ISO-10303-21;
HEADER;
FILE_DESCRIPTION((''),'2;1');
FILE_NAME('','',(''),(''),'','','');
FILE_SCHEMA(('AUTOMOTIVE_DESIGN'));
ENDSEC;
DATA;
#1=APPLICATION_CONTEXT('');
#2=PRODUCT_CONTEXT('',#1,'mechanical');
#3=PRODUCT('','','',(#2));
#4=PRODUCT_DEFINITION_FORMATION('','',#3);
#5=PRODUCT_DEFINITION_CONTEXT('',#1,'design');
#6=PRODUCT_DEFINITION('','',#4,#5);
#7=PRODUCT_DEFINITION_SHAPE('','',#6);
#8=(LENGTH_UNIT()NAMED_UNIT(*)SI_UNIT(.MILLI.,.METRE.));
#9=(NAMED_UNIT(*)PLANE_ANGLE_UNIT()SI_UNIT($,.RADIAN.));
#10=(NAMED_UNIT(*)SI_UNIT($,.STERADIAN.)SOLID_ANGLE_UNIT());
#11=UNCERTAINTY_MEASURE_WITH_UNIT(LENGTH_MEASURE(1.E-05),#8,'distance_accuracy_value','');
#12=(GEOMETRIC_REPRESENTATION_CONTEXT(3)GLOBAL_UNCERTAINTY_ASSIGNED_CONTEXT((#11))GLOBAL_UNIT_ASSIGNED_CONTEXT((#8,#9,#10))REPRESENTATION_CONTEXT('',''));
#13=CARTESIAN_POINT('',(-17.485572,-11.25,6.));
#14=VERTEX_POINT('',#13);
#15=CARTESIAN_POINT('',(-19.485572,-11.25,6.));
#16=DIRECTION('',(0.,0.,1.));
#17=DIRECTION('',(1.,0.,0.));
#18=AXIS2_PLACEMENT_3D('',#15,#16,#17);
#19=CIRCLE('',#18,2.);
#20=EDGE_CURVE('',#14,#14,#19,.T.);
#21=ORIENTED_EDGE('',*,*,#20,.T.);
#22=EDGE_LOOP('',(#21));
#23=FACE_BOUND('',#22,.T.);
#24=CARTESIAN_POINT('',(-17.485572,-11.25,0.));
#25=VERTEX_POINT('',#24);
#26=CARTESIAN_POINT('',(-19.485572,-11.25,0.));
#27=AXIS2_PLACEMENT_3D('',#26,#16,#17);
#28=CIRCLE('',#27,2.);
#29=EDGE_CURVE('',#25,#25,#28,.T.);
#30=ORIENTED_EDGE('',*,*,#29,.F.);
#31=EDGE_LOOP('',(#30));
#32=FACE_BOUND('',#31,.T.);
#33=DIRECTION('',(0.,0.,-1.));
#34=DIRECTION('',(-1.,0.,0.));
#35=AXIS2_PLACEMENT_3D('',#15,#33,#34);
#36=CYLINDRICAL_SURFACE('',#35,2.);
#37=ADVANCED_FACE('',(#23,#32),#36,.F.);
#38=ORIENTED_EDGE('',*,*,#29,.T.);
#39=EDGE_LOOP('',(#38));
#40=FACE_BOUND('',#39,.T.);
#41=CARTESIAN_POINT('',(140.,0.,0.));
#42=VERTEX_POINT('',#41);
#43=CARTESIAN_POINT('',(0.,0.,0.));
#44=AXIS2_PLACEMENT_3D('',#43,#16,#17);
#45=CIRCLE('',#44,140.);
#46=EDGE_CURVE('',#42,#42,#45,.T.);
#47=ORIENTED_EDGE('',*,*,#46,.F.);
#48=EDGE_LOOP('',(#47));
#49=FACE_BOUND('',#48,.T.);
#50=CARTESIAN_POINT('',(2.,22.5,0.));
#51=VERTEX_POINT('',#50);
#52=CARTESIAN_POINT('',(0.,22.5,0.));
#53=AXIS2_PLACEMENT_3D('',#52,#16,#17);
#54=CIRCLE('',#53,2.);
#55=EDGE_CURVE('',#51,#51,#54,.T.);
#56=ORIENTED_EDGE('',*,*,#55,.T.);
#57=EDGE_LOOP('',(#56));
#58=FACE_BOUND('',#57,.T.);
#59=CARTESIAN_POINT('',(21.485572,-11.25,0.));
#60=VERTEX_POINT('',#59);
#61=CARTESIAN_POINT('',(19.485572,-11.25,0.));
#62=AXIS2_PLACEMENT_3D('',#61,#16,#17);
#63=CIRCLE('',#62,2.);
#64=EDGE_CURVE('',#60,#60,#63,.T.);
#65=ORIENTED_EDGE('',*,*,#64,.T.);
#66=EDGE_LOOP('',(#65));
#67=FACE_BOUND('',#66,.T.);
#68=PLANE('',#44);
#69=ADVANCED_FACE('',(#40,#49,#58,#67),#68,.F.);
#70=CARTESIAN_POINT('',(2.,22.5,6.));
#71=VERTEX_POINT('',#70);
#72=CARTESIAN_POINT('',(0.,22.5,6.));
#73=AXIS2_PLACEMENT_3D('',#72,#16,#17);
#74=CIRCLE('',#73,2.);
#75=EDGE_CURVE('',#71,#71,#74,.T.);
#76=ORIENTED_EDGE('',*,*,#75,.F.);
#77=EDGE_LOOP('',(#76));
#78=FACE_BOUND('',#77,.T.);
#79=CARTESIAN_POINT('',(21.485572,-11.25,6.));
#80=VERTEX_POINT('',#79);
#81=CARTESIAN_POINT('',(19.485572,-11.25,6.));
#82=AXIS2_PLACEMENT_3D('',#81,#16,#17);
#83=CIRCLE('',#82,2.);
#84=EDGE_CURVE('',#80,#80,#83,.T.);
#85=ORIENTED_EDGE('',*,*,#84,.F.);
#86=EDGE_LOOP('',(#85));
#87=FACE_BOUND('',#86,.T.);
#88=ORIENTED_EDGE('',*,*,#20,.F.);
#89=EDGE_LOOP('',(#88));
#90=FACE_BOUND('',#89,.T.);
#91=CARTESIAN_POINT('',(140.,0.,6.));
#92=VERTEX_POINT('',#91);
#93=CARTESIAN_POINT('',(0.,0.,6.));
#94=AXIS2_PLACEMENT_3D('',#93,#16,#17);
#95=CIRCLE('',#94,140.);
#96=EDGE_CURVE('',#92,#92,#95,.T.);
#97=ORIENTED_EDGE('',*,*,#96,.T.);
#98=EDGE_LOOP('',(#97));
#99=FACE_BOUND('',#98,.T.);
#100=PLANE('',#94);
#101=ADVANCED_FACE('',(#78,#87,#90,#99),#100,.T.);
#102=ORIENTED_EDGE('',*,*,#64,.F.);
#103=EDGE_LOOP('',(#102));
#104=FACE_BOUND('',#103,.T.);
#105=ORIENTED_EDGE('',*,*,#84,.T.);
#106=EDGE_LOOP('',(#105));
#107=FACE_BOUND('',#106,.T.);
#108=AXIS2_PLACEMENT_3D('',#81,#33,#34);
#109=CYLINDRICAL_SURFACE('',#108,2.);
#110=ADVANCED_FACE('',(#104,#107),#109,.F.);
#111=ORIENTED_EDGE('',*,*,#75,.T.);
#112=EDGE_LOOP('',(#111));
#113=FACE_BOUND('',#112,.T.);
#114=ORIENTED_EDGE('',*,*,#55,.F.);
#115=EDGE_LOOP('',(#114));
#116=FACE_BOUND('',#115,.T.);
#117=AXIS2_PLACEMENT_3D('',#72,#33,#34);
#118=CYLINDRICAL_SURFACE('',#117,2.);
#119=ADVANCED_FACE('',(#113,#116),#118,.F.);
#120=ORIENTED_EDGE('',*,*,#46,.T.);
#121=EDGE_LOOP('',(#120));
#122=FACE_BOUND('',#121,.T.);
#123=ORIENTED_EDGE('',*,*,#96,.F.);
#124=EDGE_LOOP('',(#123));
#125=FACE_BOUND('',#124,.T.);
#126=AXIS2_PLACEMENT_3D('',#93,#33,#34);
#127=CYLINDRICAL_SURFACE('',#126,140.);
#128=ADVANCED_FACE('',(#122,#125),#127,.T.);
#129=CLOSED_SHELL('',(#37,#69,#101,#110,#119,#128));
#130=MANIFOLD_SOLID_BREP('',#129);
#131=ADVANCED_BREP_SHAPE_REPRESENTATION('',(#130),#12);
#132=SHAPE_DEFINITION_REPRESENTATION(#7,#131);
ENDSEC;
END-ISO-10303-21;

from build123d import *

# Parameters (mm, degrees)
SKETCH1_R           = 140
SKETCH1_R_2         = 2
BOSS_EXTRUDE1_DEPTH = 6


with BuildPart() as part:
    # Sketch1 → Boss-Extrude1 (new body)
    with BuildSketch(Plane.XY):
        Circle(SKETCH1_R)
        with Locations((0, 22.5)):
            Circle(SKETCH1_R_2, mode=Mode.SUBTRACT)
        with Locations((19.485571585, -11.25)):
            Circle(SKETCH1_R_2, mode=Mode.SUBTRACT)
        with Locations((-19.485571585, -11.25)):
            Circle(SKETCH1_R_2, mode=Mode.SUBTRACT)
    extrude(amount=BOSS_EXTRUDE1_DEPTH)


solid = part.part
